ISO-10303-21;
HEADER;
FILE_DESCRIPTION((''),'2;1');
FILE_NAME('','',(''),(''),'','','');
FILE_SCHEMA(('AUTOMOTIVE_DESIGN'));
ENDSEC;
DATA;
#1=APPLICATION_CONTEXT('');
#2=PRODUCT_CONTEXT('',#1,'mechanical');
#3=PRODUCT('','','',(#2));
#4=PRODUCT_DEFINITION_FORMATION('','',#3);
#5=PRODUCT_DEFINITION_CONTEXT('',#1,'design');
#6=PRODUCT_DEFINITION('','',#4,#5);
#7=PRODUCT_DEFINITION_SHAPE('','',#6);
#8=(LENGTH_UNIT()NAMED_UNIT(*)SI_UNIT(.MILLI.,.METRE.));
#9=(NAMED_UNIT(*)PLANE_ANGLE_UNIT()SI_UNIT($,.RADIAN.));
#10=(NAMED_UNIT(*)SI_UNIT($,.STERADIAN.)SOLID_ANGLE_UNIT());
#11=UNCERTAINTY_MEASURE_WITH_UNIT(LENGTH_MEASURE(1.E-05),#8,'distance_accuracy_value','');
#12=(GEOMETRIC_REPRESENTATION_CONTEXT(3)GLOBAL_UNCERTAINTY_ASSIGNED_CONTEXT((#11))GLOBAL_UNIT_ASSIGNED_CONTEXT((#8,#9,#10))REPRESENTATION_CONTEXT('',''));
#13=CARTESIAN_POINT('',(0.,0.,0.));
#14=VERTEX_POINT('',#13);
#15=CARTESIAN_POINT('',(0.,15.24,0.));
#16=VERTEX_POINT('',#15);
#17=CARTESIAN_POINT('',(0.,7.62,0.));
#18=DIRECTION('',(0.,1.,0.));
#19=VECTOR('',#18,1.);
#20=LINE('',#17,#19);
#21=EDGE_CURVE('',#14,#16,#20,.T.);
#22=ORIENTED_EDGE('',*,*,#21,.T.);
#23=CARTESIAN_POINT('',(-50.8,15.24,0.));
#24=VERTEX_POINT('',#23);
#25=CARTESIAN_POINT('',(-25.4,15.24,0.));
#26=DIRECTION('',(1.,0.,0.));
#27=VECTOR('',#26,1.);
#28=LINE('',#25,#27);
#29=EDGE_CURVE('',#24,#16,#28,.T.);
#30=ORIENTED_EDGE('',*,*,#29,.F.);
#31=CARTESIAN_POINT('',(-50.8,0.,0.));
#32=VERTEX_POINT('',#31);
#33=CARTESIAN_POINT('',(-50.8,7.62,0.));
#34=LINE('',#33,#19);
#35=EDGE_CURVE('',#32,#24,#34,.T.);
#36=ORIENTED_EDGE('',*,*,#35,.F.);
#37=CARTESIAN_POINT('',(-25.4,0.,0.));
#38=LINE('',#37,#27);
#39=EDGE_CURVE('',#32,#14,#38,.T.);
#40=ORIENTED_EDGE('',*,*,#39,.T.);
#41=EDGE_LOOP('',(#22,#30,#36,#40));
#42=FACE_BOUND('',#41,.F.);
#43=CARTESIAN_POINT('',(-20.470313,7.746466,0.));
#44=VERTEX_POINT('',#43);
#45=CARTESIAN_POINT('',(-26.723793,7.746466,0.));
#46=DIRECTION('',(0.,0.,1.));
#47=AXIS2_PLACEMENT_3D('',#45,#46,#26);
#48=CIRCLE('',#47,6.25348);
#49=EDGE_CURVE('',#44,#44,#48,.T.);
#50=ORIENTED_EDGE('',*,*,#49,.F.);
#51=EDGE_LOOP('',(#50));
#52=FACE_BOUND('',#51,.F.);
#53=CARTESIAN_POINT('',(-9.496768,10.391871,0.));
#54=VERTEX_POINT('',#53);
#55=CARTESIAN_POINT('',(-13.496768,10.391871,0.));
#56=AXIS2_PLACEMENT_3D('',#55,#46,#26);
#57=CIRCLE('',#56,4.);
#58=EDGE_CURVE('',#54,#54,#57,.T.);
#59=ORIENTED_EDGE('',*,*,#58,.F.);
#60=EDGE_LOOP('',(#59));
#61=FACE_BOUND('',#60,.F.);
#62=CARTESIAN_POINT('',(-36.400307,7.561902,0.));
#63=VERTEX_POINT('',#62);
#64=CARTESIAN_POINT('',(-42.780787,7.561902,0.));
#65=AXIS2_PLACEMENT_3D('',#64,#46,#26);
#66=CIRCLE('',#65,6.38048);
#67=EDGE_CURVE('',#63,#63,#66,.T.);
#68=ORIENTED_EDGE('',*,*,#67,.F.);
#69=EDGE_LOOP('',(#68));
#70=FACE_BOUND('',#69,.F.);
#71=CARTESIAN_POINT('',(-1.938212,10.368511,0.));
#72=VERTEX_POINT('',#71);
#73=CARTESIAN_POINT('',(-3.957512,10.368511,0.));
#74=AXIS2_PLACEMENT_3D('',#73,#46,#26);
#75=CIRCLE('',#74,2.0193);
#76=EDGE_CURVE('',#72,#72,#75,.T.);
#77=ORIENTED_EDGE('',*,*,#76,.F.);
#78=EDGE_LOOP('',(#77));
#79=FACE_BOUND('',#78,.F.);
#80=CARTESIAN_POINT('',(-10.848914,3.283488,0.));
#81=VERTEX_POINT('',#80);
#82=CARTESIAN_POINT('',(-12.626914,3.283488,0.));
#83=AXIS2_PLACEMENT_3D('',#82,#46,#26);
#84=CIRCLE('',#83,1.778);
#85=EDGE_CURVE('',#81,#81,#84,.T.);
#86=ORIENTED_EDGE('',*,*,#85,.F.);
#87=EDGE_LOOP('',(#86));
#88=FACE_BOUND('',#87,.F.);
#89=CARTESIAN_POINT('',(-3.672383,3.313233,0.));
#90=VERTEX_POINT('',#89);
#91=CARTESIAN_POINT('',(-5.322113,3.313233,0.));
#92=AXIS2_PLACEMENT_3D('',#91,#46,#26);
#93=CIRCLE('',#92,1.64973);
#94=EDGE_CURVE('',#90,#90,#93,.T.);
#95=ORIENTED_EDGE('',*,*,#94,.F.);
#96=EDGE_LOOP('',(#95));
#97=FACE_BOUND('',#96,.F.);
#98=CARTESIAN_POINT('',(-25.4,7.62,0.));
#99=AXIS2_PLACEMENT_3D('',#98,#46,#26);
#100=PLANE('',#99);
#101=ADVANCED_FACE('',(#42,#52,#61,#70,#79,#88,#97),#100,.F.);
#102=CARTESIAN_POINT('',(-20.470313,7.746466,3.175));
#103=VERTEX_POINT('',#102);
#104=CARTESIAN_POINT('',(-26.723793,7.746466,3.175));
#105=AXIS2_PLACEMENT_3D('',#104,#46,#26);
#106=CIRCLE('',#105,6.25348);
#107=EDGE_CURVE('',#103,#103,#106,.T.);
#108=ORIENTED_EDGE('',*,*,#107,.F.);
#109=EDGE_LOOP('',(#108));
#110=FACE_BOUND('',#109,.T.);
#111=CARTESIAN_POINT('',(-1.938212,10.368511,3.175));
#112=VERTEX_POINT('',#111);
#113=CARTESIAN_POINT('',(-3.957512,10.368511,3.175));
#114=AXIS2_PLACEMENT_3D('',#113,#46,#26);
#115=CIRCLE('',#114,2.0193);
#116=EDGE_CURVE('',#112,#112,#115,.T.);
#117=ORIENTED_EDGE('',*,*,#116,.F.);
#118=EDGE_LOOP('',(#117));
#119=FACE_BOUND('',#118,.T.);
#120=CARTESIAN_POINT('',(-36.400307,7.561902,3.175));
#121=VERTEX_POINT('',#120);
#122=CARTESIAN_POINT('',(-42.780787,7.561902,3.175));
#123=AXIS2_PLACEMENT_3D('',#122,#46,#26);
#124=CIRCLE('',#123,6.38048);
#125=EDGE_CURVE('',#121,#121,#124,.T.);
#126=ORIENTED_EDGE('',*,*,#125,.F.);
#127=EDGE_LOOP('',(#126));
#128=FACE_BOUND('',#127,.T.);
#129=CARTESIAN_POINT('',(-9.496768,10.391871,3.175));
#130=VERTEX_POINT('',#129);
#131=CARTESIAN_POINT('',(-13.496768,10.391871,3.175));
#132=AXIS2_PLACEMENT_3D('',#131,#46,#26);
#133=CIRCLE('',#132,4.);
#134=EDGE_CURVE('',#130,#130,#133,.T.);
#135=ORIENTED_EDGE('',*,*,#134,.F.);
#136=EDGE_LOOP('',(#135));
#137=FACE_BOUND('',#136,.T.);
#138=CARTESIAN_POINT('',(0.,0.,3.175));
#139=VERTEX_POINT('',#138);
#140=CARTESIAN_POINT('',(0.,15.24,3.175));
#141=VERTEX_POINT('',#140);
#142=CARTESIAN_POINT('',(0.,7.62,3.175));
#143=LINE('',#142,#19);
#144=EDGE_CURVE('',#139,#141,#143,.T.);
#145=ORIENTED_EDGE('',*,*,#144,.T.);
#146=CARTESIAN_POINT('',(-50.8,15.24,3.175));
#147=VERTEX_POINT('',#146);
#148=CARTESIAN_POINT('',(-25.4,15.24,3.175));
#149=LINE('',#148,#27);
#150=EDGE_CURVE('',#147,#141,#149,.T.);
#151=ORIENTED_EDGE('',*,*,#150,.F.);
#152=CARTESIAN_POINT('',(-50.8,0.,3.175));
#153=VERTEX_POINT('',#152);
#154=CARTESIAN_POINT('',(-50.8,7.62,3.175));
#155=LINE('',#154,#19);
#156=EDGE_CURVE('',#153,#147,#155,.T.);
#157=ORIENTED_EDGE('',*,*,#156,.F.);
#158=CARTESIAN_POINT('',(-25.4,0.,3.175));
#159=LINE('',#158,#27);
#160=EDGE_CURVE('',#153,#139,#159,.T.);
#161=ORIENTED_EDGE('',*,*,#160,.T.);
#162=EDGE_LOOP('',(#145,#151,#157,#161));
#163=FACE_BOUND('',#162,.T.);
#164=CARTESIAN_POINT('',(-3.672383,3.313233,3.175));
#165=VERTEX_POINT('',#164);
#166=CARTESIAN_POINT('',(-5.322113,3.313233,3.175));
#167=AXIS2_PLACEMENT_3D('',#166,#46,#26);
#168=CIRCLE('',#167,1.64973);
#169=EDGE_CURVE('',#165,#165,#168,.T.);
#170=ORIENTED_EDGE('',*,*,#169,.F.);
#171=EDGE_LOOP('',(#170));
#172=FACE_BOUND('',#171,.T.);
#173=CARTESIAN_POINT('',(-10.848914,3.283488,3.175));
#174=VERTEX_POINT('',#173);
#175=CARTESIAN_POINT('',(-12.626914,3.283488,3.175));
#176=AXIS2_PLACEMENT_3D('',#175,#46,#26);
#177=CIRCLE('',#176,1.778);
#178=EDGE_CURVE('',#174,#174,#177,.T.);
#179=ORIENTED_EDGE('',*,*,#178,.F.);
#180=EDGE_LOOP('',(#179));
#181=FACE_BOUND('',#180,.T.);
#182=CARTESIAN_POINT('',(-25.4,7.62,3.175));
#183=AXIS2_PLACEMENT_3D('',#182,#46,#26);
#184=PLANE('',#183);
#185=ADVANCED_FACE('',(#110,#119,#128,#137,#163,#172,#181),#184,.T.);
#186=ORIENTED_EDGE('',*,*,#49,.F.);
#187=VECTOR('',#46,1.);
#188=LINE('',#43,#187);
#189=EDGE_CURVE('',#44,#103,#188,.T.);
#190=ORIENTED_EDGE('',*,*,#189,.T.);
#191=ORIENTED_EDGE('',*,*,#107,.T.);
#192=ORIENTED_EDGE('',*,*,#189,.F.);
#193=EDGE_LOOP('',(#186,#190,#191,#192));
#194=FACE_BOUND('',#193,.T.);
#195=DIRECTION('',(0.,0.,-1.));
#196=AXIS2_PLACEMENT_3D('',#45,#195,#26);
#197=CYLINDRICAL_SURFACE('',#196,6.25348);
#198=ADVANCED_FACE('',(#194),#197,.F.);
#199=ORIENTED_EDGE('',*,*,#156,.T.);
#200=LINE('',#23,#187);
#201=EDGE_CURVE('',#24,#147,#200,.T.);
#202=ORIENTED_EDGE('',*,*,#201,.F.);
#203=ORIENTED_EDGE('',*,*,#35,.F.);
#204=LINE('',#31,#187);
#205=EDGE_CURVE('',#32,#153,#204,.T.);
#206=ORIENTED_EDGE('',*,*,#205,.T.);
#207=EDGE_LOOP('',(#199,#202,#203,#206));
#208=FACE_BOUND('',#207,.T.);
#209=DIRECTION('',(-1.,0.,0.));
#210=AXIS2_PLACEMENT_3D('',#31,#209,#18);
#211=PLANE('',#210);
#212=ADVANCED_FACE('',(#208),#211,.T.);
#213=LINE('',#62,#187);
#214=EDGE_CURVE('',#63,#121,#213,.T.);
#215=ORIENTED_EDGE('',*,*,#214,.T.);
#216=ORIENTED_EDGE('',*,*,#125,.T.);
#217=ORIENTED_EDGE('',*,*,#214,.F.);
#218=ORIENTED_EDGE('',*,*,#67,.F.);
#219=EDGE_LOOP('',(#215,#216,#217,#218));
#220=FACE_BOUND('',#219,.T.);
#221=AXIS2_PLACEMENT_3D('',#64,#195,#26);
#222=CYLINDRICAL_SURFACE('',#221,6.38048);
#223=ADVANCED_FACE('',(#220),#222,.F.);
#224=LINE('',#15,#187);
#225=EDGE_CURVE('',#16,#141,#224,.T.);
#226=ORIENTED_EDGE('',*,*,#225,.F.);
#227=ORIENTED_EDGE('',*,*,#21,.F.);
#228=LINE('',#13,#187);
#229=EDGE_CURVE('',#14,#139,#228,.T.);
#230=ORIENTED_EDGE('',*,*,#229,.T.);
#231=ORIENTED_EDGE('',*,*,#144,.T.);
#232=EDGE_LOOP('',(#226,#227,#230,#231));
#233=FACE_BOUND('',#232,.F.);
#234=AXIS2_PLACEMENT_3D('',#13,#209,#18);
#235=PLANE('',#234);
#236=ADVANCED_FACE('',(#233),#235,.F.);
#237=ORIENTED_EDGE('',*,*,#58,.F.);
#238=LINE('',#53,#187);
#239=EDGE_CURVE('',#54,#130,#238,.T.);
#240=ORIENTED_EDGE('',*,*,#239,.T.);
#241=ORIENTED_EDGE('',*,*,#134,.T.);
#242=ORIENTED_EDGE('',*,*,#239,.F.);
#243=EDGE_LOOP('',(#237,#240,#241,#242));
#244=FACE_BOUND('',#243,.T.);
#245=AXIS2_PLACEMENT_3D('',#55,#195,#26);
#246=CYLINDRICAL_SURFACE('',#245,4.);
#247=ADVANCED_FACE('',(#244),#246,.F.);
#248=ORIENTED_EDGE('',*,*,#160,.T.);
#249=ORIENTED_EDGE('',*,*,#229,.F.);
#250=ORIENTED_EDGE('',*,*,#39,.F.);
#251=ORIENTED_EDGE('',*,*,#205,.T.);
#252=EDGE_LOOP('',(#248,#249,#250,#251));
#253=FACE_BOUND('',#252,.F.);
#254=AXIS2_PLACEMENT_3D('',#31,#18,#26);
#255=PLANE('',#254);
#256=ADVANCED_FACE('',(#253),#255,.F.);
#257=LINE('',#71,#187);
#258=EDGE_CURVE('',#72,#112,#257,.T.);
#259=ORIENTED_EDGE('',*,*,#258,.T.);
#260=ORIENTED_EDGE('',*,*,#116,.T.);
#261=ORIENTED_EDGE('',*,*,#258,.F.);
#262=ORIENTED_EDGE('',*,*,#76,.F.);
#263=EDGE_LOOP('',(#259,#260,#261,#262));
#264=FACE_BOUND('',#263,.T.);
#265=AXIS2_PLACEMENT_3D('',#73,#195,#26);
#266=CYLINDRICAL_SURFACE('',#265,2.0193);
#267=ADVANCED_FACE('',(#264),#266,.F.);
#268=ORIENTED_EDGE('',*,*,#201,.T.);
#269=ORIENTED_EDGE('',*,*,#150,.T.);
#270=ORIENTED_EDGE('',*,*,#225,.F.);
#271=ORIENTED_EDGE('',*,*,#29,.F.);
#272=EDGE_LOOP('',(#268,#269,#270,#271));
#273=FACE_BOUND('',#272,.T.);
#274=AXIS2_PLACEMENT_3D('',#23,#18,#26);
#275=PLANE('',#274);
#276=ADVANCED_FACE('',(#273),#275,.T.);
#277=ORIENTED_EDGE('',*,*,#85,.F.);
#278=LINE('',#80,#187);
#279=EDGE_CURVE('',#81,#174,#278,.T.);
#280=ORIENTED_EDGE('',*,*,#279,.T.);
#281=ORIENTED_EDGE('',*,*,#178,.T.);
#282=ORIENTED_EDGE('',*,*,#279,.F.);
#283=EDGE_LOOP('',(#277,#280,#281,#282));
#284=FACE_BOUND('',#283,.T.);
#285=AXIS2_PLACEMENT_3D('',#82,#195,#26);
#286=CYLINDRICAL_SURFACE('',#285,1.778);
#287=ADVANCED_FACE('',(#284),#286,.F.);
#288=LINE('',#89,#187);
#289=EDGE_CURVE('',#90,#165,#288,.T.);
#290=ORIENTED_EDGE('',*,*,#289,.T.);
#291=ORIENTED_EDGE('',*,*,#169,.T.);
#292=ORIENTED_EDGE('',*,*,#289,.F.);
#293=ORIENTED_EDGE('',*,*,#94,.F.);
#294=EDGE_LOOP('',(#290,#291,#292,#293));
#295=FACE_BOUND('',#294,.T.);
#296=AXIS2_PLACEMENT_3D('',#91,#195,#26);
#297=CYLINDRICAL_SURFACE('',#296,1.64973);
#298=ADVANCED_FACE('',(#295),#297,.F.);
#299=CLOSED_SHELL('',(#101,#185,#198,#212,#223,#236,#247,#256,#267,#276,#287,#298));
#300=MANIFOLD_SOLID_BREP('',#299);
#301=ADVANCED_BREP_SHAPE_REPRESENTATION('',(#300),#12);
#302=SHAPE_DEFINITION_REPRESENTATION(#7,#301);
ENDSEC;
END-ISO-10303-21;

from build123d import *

# Parameters (mm, degrees)
F0_W     = 50.8
F0_H     = 15.24
F0_R     = 6.38048
F0_R_2   = 1.778
F0_R_3   = 1.64973
F0_R_4   = 6.25348
F0_R_5   = 4
F0_R_6   = 2.0193
F1_DEPTH = 3.175


with BuildPart() as f1:
    # F0 (on Top) → F1 (new body)
    with BuildSketch(Plane.XY):
        with Locations((-25.4, 7.62)):
            Rectangle(F0_W, F0_H)
        with Locations((-42.780787, 7.561902)):
            Circle(F0_R, mode=Mode.SUBTRACT)
        with Locations((-12.626914, 3.283488)):
            Circle(F0_R_2, mode=Mode.SUBTRACT)
        with Locations((-5.322113, 3.313233)):
            Circle(F0_R_3, mode=Mode.SUBTRACT)
        with Locations((-26.723793, 7.746466)):
            Circle(F0_R_4, mode=Mode.SUBTRACT)
        with Locations((-13.496768, 10.391871)):
            Circle(F0_R_5, mode=Mode.SUBTRACT)
        with Locations((-3.957512, 10.368511)):
            Circle(F0_R_6, mode=Mode.SUBTRACT)
    extrude(amount=F1_DEPTH)


solid = f1.part
